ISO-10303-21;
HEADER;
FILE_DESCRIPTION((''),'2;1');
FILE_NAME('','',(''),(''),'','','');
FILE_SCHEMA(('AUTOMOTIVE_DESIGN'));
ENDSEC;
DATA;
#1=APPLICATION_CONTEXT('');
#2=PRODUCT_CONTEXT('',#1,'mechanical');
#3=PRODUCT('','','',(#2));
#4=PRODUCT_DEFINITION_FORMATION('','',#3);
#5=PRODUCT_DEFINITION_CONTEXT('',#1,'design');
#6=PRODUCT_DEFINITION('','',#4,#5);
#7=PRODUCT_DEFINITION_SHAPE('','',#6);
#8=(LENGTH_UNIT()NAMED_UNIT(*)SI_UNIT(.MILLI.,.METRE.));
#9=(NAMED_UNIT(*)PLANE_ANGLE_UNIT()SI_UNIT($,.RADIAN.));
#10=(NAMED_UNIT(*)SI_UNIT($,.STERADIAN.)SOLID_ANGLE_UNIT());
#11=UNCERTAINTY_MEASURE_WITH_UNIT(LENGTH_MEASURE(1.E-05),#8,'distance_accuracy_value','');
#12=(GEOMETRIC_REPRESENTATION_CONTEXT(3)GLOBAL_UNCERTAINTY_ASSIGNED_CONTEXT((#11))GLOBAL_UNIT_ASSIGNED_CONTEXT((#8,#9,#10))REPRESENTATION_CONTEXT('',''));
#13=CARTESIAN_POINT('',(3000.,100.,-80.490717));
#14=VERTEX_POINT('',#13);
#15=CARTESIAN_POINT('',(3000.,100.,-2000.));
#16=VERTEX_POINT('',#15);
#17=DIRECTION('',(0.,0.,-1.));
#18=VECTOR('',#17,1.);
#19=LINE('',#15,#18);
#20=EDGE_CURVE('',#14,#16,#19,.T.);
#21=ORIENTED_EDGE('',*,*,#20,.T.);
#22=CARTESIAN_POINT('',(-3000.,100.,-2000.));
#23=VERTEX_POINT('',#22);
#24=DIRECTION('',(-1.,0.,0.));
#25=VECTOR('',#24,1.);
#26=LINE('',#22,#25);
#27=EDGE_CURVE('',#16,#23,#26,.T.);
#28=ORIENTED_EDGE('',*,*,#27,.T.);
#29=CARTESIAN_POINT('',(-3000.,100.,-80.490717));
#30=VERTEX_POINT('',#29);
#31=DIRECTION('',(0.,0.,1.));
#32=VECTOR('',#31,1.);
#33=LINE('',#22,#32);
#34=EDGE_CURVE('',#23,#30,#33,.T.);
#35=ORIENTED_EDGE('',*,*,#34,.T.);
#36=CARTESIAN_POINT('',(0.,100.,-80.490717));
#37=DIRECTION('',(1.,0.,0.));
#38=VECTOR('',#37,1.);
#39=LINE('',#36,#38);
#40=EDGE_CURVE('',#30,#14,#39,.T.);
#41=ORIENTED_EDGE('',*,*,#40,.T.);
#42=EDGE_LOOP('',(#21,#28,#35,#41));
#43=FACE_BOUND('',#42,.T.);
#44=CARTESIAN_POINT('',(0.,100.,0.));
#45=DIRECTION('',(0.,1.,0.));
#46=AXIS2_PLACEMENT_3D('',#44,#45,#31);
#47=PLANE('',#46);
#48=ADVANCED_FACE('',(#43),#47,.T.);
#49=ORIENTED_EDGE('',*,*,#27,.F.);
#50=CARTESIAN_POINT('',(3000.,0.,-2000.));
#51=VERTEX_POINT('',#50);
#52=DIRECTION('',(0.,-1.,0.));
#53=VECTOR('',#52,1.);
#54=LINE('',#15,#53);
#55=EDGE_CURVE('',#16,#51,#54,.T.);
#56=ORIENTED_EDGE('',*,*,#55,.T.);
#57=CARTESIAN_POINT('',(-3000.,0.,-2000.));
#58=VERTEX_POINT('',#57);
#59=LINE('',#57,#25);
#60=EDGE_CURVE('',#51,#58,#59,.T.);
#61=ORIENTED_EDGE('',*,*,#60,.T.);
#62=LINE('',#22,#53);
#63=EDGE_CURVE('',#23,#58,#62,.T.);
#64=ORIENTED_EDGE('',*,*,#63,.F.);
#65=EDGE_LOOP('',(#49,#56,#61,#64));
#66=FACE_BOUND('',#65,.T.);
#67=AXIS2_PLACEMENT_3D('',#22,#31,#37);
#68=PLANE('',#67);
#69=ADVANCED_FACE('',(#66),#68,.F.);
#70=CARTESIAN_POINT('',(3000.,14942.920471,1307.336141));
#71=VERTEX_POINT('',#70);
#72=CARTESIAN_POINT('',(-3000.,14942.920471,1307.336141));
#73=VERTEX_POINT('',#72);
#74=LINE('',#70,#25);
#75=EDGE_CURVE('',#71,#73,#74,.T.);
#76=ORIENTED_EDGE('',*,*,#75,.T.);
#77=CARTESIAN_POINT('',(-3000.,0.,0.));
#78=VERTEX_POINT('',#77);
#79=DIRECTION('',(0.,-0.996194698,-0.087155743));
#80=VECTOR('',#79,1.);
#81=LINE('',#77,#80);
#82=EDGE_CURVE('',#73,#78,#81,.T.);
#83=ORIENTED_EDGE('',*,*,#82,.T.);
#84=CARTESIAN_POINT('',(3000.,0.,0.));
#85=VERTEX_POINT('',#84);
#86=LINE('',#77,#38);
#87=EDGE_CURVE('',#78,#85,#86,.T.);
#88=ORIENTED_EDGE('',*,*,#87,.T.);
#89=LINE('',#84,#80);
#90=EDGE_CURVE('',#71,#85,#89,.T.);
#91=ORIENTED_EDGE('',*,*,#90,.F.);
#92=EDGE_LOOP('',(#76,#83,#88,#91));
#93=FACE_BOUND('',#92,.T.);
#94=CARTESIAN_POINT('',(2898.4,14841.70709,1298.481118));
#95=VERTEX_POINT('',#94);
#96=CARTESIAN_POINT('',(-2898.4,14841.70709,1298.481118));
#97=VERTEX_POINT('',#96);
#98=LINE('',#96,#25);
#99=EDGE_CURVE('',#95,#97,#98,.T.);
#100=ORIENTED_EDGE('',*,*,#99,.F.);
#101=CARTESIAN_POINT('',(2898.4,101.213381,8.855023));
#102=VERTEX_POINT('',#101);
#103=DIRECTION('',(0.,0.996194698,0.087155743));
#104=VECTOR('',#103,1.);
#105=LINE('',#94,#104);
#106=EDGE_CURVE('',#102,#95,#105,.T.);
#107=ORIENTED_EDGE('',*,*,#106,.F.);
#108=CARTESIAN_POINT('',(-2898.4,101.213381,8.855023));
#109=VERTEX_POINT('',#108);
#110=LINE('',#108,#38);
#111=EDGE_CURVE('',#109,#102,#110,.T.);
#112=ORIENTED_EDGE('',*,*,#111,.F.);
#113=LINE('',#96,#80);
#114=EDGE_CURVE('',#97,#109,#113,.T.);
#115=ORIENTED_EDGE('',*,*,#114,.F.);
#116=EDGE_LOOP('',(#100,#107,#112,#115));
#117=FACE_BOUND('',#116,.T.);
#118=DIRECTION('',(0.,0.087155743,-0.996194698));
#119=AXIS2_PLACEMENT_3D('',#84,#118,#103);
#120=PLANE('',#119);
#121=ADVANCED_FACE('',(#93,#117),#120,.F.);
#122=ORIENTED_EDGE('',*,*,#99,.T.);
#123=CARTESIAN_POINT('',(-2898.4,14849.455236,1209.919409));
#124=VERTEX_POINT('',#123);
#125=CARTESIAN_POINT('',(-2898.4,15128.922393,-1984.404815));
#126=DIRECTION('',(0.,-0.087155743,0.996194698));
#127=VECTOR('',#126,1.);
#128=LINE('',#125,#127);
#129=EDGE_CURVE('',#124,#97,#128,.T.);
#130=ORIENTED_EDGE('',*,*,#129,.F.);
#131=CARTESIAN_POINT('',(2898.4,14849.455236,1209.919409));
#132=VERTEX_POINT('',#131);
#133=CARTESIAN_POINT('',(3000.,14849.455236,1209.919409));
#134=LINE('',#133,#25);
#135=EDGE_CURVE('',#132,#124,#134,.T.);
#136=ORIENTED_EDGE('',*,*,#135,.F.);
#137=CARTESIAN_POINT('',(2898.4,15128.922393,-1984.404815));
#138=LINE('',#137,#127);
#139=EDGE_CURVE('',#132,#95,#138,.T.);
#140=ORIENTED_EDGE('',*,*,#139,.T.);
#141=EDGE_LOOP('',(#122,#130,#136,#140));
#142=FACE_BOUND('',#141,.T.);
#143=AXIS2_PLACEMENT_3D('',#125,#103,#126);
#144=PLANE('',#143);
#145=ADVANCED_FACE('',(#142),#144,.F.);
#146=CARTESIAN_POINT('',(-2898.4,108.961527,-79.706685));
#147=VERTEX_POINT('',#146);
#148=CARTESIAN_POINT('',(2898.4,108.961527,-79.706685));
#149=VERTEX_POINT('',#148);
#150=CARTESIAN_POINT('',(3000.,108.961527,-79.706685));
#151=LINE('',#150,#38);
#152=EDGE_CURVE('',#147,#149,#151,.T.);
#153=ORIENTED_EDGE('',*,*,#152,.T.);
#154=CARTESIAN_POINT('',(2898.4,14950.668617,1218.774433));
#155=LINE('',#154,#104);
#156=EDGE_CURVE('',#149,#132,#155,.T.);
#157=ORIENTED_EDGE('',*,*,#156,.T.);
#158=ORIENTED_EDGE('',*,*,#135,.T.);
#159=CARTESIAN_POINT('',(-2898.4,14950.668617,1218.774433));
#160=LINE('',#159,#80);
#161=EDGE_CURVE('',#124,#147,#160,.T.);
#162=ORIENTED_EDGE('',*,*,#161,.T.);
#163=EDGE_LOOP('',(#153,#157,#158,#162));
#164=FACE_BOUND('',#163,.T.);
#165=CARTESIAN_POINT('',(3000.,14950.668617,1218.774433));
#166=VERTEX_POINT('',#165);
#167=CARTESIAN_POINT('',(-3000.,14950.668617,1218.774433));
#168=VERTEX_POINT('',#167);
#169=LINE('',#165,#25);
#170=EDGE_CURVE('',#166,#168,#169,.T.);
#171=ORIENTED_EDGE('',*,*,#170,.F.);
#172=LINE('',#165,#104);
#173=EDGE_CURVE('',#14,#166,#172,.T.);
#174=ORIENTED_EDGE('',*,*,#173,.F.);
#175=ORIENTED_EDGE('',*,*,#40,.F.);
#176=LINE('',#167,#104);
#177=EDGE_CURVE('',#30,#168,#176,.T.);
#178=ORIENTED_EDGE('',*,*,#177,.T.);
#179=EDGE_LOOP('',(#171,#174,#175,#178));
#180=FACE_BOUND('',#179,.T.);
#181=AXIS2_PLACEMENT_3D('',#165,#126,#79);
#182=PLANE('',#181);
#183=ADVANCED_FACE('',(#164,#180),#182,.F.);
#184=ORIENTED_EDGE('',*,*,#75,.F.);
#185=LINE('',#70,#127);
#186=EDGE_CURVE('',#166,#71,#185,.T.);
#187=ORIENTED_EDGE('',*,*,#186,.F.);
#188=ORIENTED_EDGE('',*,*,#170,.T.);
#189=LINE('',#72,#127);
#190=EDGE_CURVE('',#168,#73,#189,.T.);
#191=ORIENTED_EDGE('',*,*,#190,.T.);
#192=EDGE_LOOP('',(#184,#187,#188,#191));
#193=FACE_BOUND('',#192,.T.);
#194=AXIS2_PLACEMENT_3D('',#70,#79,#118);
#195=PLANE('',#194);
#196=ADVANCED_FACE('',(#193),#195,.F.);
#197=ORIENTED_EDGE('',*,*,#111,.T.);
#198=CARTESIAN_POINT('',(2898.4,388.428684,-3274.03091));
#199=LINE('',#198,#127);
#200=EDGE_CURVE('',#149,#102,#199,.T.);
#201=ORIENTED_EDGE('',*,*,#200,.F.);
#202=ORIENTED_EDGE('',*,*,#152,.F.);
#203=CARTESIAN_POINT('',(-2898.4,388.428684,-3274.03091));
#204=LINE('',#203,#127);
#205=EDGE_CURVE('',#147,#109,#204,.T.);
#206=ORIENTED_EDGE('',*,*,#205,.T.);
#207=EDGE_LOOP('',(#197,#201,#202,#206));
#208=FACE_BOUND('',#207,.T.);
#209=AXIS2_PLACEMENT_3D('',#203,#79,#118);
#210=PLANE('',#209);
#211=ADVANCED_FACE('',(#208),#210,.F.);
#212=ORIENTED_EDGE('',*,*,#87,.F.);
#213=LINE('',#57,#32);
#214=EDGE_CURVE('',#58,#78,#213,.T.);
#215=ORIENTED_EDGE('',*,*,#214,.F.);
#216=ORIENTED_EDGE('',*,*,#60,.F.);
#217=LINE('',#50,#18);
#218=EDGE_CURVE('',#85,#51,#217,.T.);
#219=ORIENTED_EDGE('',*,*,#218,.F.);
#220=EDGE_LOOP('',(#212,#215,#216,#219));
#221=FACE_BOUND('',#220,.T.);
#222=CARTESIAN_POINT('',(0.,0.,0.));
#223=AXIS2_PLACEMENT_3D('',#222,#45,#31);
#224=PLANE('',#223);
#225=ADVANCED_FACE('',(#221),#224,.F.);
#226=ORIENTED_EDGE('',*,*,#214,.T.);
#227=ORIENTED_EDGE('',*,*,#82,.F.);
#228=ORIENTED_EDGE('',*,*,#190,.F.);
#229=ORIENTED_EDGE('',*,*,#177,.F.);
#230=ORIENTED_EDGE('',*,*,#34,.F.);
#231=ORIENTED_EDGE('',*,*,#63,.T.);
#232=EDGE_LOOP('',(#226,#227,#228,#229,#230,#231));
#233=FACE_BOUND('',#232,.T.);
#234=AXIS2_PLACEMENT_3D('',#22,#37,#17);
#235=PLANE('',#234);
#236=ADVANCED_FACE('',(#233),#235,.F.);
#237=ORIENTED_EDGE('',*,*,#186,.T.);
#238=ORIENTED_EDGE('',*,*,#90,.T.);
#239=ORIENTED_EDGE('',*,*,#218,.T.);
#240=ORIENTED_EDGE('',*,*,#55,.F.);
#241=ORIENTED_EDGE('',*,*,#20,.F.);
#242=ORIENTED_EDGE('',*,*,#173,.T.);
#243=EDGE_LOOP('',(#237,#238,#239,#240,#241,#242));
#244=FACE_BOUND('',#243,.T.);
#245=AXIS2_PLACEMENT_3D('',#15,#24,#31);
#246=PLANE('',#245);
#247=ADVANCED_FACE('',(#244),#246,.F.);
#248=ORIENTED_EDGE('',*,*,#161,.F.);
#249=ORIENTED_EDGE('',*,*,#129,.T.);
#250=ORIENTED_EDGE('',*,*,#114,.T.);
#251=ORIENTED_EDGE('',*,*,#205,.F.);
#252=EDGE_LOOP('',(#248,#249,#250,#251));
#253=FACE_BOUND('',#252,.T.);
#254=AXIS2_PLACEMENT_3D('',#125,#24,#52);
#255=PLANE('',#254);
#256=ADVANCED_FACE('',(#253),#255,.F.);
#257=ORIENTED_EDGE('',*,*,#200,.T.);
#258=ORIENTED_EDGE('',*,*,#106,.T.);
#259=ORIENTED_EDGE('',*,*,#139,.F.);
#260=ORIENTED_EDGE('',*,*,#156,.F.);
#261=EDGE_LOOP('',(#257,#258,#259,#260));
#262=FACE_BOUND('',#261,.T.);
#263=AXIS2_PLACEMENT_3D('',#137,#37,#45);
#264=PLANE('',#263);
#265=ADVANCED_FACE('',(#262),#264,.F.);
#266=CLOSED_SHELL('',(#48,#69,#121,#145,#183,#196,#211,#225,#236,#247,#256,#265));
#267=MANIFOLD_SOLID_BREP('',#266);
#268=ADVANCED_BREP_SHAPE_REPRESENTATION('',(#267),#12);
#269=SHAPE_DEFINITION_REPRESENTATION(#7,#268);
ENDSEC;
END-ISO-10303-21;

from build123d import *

# Parameters (mm, degrees)
SKETCH2_W                = 6000
SKETCH2_H                = 2000
BOSS_EXTRUDE1_DEPTH      = 100
BOSS_EXTRUDE2_DEPTH      = 3000
BOSS_EXTRUDE2_DEPTH_BACK = 3000
SKETCH4_W                = 5796.8
SKETCH4_H                = 14796.8
CUT_EXTRUDE1_DEPTH       = 15380.28776285


with BuildPart() as part:
    # Sketch2 → Boss-Extrude1 (new body)
    with BuildSketch(Plane(origin=(0, 0, 0), x_dir=(1, 0, 0), z_dir=(0, 1, 0))):
        with Locations((0, 1000)):
            Rectangle(SKETCH2_W, SKETCH2_H)
    extrude(amount=BOSS_EXTRUDE1_DEPTH)

    # Sketch3 → Boss-Extrude2 (add, two sides: drawn at the far end of the back side and taken through both)
    with BuildSketch(Plane(origin=(0, 0, 0), x_dir=(0, 0, -1), z_dir=(1, 0, 0)).offset(-BOSS_EXTRUDE2_DEPTH_BACK)):
        Polygon((0, 0), (-1307.336141215, 14942.920471376), (-1218.774432554, 14950.668616906), (89.239583558, 0), align=None)
    extrude(amount=BOSS_EXTRUDE2_DEPTH + BOSS_EXTRUDE2_DEPTH_BACK)

    # Sketch4 → Cut-Extrude1 (cut, through all)
    with BuildSketch(Plane(origin=(0, 0, 0), x_dir=(1, 0, 0), z_dir=(0, -0.08715574274765157, 0.9961946980917462))):
        with Locations((0, 7500)):
            Rectangle(SKETCH4_W, SKETCH4_H)
    extrude(amount=-CUT_EXTRUDE1_DEPTH, mode=Mode.SUBTRACT)


solid = part.part
